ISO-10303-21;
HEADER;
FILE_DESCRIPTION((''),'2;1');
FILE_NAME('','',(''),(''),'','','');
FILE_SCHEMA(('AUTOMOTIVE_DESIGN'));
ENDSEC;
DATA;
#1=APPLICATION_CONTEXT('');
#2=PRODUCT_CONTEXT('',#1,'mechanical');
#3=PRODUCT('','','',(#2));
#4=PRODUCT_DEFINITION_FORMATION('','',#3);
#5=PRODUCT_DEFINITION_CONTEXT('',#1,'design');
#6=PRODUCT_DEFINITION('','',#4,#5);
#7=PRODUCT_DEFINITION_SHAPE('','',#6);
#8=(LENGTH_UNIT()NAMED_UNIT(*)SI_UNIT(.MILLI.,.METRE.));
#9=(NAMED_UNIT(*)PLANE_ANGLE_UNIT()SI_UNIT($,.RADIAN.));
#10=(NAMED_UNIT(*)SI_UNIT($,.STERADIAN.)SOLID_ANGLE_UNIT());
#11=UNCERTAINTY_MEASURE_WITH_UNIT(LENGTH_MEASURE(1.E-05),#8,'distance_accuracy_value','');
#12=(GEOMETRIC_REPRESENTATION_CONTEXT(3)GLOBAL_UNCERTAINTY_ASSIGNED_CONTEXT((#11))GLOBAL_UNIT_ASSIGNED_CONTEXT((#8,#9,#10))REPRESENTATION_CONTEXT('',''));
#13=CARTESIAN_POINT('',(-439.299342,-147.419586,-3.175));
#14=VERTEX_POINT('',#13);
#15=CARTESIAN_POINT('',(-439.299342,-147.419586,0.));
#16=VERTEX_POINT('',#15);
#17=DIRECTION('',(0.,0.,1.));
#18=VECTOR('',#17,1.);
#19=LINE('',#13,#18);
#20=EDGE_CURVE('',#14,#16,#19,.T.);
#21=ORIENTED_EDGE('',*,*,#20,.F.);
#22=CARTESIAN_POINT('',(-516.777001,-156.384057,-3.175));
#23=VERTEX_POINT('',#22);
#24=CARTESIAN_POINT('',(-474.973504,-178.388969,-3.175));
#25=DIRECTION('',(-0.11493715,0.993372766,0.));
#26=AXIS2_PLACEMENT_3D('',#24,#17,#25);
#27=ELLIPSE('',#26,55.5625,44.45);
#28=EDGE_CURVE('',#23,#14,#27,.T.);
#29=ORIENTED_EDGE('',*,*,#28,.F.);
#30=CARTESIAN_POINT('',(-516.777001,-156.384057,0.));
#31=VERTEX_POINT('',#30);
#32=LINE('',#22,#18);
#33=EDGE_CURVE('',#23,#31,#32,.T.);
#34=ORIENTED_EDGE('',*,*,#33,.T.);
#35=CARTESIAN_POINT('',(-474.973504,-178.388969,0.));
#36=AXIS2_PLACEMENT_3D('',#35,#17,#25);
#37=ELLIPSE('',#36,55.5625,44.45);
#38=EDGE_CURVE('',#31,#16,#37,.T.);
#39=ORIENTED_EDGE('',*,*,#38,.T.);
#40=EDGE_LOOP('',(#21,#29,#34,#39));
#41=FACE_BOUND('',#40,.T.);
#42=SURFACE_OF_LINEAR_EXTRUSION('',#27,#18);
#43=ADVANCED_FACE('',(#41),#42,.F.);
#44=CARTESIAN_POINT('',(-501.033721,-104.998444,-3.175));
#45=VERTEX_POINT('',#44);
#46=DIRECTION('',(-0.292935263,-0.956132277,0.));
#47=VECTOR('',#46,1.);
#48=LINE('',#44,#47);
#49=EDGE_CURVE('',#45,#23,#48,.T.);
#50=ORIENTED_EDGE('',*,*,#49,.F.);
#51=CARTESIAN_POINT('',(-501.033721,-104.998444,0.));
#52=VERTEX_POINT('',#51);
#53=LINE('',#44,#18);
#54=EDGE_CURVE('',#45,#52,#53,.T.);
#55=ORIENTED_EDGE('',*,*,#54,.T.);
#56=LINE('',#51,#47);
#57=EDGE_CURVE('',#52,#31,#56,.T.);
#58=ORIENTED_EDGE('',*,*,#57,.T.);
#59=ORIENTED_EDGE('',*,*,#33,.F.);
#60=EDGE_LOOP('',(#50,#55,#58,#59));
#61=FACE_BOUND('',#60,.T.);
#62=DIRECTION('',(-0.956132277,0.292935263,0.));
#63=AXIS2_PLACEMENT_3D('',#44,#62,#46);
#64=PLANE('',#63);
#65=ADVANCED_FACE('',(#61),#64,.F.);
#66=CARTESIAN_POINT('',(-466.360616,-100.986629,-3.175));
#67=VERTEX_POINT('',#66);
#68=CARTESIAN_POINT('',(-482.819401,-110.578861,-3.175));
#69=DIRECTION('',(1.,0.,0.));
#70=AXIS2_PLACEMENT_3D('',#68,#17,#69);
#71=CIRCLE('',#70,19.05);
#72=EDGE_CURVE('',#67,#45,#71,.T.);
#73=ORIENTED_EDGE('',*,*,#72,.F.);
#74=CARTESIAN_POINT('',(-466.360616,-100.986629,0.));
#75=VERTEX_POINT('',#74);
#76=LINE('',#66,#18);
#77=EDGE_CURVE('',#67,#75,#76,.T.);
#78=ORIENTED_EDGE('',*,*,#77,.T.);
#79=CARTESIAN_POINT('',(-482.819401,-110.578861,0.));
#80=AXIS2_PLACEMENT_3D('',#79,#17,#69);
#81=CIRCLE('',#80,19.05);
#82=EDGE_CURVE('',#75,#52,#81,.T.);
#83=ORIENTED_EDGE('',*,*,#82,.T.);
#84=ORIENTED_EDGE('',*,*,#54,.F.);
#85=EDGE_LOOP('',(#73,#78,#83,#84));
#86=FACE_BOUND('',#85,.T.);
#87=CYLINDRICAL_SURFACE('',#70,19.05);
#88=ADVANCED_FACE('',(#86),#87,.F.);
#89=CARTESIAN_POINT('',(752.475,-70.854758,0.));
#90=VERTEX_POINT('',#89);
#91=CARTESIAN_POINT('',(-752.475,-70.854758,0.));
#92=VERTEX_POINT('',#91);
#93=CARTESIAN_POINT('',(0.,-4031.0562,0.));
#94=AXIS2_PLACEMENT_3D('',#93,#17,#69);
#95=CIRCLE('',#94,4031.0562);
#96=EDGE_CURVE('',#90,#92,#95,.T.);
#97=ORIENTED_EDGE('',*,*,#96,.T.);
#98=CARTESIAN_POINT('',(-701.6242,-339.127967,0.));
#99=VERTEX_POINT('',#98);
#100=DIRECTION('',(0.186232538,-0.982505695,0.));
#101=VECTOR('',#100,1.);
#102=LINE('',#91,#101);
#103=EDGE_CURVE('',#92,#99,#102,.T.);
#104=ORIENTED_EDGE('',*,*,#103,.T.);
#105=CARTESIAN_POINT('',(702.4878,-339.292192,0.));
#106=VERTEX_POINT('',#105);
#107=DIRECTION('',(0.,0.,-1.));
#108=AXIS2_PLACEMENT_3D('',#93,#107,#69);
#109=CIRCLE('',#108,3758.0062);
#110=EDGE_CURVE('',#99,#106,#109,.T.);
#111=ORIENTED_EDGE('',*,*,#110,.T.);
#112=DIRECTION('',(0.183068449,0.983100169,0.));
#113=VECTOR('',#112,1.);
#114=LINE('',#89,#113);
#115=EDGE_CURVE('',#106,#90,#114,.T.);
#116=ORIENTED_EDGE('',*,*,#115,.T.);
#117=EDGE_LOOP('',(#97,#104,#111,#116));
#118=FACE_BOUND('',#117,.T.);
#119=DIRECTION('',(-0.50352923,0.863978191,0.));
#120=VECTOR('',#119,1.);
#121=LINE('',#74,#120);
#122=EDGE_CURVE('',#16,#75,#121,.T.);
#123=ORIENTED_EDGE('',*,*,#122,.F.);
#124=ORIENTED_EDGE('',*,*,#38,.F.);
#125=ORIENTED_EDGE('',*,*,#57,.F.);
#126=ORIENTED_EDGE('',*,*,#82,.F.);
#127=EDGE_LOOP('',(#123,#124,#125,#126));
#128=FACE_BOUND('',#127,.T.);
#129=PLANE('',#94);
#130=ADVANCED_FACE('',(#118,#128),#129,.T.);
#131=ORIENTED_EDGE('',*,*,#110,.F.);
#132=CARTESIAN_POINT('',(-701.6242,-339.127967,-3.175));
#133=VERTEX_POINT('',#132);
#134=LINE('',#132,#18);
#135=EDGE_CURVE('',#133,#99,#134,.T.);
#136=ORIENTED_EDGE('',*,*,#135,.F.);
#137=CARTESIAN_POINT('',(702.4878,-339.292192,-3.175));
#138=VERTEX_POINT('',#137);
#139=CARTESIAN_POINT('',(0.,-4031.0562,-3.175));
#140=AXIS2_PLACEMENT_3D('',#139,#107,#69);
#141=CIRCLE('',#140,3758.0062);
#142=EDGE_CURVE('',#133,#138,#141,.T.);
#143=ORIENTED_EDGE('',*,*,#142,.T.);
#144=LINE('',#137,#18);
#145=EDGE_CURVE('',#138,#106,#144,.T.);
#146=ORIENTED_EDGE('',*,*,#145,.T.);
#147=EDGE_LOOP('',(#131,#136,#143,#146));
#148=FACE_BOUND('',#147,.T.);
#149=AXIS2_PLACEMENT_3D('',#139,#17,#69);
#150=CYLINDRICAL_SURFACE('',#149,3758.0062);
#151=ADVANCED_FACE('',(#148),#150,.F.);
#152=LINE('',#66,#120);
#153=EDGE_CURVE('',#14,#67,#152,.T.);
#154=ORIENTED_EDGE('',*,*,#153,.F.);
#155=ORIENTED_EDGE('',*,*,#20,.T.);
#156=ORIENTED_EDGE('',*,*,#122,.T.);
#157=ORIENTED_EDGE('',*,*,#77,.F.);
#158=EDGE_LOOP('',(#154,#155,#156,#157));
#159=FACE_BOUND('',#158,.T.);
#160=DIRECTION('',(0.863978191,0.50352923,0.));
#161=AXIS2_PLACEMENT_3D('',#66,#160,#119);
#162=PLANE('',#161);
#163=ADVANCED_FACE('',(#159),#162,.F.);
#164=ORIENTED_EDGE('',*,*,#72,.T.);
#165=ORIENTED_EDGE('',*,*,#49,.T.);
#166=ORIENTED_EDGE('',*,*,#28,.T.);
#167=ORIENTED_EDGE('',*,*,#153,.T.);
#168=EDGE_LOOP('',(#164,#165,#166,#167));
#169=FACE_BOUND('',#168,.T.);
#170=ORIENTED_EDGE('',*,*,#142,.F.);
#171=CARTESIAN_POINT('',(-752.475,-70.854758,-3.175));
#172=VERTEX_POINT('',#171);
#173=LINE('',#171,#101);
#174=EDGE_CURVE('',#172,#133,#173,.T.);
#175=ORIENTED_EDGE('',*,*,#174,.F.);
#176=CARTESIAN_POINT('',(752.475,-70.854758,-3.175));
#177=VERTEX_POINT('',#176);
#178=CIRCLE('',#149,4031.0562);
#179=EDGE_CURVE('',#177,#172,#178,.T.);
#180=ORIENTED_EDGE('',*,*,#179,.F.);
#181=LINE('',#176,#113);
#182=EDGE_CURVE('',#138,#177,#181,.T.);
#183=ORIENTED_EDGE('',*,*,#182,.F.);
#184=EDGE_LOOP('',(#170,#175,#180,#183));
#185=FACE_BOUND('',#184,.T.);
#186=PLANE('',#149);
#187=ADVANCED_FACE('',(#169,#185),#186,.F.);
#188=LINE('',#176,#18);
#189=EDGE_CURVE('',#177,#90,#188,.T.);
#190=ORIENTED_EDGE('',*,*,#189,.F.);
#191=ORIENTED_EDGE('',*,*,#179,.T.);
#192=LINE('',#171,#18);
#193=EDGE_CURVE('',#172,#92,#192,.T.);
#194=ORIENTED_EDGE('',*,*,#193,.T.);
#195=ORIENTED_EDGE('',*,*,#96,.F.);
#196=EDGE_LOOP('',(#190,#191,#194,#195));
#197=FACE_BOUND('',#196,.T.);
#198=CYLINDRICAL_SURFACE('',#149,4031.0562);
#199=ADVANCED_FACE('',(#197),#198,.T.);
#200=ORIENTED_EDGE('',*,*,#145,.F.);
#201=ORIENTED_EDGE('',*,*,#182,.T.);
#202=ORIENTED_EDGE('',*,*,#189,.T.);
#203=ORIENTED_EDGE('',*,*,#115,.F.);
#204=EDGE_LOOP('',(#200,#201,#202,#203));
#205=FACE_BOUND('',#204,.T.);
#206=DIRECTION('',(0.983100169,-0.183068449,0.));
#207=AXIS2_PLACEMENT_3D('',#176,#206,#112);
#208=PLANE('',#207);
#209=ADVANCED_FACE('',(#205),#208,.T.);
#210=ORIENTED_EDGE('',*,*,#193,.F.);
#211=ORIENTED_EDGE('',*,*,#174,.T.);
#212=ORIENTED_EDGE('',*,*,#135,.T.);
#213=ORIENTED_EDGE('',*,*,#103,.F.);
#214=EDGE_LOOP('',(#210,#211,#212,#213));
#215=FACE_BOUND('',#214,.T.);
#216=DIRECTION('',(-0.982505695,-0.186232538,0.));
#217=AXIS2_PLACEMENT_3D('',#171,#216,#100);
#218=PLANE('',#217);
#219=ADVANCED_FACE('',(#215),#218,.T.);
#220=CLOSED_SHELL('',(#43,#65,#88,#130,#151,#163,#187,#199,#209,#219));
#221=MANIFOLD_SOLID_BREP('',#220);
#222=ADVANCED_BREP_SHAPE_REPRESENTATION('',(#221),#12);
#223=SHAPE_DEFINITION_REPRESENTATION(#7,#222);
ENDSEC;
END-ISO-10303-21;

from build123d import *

# Parameters (mm, degrees)
BASE_EXTRUDE_DEPTH = 3.175


with BuildPart() as part:
    # Sketch1 → Base-Extrude (new body)
    with BuildSketch(Plane.XY):
        with BuildLine():
            Line((-752.475, -70.85475791), (-701.6242, -339.127966514))
            ThreePointArc((-701.6242, -339.127966514), (0.43953811, -273.050025704), (702.4878, -339.292192091))
            Line((702.4878, -339.292192091), (752.475, -70.85475791))
            ThreePointArc((752.475, -70.85475791), (0, 0), (-752.475, -70.85475791))
        make_face()
        with BuildLine():
            Line((-501.033720833, -104.998443764), (-516.777000766, -156.384056801))
            add(Edge.make_bspline(
                [(-516.777000766, -156.384056801), (-543.069216838, -242.201094082), (-468.587308293, -233.583243234), (-394.105399749, -224.965392385), (-439.29934176, -147.419585798)],
                knots=[1.070267673, 1.070267673, 1.070267673, 3.141592654, 3.141592654, 5.212917634, 5.212917634, 5.212917634], degree=2, weights=[1, 0.50995617, 1, 0.50995617, 1]))
            Line((-439.29934176, -147.419585798), (-466.360616413, -100.986628705))
            ThreePointArc((-466.360616413, -100.986628705), (-485.00895367, -91.655109348), (-501.033720833, -104.998443764))
        make_face(mode=Mode.SUBTRACT)
    extrude(amount=-BASE_EXTRUDE_DEPTH)


solid = part.part
